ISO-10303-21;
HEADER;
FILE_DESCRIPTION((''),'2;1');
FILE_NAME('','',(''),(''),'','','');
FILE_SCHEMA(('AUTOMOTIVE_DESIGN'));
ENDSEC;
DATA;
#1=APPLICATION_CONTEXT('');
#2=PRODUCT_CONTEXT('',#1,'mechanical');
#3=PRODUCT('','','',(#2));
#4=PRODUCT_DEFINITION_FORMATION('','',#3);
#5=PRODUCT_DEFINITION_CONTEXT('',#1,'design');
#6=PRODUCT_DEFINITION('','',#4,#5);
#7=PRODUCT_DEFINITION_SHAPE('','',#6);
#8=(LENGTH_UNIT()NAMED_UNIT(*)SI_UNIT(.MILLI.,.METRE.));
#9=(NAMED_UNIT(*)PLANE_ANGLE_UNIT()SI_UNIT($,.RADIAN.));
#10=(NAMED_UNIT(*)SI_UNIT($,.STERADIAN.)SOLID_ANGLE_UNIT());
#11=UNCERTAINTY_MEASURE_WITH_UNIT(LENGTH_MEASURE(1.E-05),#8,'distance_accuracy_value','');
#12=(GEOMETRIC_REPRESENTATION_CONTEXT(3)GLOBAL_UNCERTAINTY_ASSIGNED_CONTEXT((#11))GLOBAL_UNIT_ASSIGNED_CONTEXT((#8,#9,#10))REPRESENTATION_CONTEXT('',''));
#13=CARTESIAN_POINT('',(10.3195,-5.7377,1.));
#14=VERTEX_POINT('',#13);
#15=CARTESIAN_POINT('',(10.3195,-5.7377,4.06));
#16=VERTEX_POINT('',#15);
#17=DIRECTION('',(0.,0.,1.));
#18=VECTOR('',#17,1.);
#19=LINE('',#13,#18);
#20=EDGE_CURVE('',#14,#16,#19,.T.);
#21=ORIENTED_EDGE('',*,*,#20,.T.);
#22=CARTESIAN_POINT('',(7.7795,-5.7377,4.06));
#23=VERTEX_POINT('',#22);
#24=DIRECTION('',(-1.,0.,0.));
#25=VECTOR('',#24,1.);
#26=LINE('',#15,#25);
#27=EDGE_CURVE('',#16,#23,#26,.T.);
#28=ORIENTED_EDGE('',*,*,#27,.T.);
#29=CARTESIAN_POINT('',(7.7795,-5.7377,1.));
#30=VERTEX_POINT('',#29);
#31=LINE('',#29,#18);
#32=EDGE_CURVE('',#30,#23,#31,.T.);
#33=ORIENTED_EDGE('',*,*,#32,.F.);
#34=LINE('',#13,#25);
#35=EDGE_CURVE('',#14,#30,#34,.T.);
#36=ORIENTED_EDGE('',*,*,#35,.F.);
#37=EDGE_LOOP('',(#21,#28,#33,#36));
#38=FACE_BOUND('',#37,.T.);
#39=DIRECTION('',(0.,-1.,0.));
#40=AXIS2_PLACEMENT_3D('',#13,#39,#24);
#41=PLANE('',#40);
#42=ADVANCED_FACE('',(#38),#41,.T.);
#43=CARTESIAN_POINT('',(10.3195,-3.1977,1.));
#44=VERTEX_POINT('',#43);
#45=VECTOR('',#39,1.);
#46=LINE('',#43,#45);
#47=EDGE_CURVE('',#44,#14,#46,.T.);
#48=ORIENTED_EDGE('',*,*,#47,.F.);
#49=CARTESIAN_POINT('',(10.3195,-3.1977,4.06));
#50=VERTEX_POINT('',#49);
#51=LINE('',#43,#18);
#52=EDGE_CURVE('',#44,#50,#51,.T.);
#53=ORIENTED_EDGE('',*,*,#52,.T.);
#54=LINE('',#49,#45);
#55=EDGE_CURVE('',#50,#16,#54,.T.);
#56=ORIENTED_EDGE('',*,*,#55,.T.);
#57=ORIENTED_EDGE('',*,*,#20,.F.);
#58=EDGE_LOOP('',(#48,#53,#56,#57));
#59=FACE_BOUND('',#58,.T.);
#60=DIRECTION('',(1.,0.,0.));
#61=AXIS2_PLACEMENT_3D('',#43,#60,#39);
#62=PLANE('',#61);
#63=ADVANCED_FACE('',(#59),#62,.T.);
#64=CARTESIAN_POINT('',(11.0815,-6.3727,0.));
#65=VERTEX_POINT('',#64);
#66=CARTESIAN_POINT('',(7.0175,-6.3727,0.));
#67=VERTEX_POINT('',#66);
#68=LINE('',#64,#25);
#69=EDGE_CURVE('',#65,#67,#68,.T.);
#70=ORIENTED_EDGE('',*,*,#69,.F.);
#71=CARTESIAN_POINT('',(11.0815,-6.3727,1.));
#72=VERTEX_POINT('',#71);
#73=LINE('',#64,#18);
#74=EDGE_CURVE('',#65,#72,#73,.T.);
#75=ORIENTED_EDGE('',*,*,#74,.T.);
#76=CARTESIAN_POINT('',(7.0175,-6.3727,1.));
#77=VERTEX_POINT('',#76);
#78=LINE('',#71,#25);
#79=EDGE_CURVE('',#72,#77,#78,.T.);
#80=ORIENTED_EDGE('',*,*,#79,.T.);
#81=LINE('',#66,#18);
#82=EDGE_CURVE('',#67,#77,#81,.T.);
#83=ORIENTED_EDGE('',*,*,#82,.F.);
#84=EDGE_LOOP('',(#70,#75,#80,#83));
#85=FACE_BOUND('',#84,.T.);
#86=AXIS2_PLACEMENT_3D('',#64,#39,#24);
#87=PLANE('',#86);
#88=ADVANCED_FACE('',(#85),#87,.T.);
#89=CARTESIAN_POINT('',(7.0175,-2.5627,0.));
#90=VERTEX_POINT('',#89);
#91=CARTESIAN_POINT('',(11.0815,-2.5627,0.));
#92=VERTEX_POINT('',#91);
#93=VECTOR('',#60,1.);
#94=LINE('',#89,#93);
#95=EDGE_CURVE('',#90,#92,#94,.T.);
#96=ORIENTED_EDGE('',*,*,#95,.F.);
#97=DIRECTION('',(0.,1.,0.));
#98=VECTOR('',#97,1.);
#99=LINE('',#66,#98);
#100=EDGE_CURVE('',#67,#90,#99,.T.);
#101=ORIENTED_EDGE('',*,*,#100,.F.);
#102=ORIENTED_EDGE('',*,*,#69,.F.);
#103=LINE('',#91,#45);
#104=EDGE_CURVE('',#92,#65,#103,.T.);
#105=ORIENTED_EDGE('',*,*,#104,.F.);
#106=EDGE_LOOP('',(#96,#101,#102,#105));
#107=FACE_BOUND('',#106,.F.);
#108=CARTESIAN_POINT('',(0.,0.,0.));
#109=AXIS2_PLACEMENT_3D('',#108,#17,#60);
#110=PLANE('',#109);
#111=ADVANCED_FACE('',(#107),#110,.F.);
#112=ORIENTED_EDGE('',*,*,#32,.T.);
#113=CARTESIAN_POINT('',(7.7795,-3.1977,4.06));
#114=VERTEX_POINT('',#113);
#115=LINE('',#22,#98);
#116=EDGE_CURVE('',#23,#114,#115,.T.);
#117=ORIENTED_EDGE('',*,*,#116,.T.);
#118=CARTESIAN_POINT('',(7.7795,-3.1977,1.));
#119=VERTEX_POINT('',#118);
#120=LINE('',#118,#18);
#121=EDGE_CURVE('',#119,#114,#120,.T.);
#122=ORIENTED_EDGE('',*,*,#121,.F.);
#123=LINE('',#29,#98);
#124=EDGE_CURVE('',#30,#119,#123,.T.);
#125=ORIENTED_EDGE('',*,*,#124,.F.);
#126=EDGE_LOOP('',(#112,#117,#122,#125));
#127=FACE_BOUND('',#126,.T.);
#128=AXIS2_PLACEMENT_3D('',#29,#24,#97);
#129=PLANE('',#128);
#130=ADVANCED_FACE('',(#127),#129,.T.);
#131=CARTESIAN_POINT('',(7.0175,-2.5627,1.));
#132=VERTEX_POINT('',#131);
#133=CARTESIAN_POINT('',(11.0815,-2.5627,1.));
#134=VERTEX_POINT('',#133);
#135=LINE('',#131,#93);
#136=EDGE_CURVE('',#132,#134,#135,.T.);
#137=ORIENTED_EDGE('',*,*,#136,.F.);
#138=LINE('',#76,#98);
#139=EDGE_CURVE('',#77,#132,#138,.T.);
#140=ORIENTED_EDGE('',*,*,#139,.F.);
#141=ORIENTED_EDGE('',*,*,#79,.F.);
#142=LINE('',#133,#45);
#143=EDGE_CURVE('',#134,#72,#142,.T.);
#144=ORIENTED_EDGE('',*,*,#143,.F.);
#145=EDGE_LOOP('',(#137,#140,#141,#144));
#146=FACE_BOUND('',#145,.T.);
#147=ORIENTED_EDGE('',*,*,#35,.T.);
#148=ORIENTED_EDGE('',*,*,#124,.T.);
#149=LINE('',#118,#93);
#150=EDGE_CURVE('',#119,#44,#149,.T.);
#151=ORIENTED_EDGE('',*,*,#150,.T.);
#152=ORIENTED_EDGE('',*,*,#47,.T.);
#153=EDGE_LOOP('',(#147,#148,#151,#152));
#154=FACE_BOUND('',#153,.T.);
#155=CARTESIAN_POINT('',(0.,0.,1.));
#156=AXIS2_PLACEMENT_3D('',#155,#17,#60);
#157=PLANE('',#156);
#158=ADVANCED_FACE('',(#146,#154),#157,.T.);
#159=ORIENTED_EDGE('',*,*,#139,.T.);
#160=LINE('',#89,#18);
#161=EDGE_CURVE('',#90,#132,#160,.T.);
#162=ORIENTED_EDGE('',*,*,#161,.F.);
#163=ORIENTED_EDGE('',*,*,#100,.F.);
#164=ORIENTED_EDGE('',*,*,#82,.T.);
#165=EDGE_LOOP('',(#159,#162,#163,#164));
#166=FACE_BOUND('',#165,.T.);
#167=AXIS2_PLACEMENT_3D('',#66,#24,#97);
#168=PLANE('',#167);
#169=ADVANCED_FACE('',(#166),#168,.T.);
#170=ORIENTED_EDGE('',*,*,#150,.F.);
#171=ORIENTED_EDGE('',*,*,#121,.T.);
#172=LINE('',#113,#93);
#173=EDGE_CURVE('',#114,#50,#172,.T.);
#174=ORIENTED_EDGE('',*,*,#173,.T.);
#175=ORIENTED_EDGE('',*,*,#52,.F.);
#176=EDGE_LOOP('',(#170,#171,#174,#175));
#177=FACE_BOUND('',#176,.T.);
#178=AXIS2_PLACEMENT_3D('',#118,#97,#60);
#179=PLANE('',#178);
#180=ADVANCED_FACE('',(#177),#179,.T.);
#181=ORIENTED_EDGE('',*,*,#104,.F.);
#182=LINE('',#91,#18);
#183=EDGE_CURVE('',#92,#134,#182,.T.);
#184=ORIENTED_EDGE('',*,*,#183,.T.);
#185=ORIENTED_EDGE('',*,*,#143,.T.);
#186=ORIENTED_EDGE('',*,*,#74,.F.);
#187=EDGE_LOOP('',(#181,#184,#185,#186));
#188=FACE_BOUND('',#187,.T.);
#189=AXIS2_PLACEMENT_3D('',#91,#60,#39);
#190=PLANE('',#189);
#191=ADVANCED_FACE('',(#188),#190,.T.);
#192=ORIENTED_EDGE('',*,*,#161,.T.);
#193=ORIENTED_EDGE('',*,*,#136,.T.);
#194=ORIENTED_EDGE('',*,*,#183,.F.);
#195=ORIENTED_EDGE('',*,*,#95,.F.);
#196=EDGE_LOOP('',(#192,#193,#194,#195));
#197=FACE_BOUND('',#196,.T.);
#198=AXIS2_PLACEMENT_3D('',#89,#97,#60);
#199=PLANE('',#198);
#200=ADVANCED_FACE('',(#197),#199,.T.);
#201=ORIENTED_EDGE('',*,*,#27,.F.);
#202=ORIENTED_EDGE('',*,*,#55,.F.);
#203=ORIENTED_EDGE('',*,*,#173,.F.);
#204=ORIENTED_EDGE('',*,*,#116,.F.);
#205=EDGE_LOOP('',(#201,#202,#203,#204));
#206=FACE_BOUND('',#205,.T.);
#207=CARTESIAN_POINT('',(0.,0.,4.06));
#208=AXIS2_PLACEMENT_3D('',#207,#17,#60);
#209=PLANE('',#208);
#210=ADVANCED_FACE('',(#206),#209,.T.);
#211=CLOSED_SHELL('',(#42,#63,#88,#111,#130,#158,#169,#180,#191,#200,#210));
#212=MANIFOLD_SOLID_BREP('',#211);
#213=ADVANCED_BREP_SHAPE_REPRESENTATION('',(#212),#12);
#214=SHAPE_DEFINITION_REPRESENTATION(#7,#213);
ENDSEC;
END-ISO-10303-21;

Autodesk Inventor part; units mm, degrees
ref_plane "YZ Plane" through (0, 0, 0) normal (1, 0, 0) x (0, 1, 0)
ref_plane "XZ Plane" through (0, 0, 0) normal (0, 1, 0) x (-1, 0, 0)
ref_plane "XY Plane" through (0, 0, 0) normal (0, 0, 1) x (1, 0, 0)
sketch "Sketch1" plane through (0, 0, 0) normal (0, 0, 1) x (1, 0, 0)
  line L0 (7.0175, -2.5627) -> (11.0815, -2.5627)
  line L1 (11.0815, -2.5627) -> (11.0815, -6.3727)
  line L2 (11.0815, -6.3727) -> (7.0175, -6.3727)
  line L3 (7.0175, -6.3727) -> (7.0175, -2.5627)
  point P0 (0, 0)
  dimension "d0" = 4.064
  dimension "d1" = 3.81
extrude "Extrusion1" add sketch "Sketch1" along normal blind 1
sketch "Sketch2" plane through (0, 0, 1) normal (0, 0, 1) x (1, 0, 0)
  line L0 (11.0815, -2.5627) -> (7.0175, -2.5627) projected
  line L1 (11.0815, -6.3727) -> (11.0815, -2.5627) projected
  line L2 (7.7795, -3.1977) -> (10.3195, -3.1977)
  line L3 (10.3195, -3.1977) -> (10.3195, -5.7377)
  line L4 (10.3195, -5.7377) -> (7.7795, -5.7377)
  line L5 (7.7795, -5.7377) -> (7.7795, -3.1977)
  point P0 (0, 0)
  dimension "d4" = 2.54
  dimension "d5" = 2.54
  dimension "d6" = 0.635
  dimension "d7" = 0.762
extrude "Extrusion2" add sketch "Sketch2" along normal blind 3.06
properties part number "RFSplitter"
